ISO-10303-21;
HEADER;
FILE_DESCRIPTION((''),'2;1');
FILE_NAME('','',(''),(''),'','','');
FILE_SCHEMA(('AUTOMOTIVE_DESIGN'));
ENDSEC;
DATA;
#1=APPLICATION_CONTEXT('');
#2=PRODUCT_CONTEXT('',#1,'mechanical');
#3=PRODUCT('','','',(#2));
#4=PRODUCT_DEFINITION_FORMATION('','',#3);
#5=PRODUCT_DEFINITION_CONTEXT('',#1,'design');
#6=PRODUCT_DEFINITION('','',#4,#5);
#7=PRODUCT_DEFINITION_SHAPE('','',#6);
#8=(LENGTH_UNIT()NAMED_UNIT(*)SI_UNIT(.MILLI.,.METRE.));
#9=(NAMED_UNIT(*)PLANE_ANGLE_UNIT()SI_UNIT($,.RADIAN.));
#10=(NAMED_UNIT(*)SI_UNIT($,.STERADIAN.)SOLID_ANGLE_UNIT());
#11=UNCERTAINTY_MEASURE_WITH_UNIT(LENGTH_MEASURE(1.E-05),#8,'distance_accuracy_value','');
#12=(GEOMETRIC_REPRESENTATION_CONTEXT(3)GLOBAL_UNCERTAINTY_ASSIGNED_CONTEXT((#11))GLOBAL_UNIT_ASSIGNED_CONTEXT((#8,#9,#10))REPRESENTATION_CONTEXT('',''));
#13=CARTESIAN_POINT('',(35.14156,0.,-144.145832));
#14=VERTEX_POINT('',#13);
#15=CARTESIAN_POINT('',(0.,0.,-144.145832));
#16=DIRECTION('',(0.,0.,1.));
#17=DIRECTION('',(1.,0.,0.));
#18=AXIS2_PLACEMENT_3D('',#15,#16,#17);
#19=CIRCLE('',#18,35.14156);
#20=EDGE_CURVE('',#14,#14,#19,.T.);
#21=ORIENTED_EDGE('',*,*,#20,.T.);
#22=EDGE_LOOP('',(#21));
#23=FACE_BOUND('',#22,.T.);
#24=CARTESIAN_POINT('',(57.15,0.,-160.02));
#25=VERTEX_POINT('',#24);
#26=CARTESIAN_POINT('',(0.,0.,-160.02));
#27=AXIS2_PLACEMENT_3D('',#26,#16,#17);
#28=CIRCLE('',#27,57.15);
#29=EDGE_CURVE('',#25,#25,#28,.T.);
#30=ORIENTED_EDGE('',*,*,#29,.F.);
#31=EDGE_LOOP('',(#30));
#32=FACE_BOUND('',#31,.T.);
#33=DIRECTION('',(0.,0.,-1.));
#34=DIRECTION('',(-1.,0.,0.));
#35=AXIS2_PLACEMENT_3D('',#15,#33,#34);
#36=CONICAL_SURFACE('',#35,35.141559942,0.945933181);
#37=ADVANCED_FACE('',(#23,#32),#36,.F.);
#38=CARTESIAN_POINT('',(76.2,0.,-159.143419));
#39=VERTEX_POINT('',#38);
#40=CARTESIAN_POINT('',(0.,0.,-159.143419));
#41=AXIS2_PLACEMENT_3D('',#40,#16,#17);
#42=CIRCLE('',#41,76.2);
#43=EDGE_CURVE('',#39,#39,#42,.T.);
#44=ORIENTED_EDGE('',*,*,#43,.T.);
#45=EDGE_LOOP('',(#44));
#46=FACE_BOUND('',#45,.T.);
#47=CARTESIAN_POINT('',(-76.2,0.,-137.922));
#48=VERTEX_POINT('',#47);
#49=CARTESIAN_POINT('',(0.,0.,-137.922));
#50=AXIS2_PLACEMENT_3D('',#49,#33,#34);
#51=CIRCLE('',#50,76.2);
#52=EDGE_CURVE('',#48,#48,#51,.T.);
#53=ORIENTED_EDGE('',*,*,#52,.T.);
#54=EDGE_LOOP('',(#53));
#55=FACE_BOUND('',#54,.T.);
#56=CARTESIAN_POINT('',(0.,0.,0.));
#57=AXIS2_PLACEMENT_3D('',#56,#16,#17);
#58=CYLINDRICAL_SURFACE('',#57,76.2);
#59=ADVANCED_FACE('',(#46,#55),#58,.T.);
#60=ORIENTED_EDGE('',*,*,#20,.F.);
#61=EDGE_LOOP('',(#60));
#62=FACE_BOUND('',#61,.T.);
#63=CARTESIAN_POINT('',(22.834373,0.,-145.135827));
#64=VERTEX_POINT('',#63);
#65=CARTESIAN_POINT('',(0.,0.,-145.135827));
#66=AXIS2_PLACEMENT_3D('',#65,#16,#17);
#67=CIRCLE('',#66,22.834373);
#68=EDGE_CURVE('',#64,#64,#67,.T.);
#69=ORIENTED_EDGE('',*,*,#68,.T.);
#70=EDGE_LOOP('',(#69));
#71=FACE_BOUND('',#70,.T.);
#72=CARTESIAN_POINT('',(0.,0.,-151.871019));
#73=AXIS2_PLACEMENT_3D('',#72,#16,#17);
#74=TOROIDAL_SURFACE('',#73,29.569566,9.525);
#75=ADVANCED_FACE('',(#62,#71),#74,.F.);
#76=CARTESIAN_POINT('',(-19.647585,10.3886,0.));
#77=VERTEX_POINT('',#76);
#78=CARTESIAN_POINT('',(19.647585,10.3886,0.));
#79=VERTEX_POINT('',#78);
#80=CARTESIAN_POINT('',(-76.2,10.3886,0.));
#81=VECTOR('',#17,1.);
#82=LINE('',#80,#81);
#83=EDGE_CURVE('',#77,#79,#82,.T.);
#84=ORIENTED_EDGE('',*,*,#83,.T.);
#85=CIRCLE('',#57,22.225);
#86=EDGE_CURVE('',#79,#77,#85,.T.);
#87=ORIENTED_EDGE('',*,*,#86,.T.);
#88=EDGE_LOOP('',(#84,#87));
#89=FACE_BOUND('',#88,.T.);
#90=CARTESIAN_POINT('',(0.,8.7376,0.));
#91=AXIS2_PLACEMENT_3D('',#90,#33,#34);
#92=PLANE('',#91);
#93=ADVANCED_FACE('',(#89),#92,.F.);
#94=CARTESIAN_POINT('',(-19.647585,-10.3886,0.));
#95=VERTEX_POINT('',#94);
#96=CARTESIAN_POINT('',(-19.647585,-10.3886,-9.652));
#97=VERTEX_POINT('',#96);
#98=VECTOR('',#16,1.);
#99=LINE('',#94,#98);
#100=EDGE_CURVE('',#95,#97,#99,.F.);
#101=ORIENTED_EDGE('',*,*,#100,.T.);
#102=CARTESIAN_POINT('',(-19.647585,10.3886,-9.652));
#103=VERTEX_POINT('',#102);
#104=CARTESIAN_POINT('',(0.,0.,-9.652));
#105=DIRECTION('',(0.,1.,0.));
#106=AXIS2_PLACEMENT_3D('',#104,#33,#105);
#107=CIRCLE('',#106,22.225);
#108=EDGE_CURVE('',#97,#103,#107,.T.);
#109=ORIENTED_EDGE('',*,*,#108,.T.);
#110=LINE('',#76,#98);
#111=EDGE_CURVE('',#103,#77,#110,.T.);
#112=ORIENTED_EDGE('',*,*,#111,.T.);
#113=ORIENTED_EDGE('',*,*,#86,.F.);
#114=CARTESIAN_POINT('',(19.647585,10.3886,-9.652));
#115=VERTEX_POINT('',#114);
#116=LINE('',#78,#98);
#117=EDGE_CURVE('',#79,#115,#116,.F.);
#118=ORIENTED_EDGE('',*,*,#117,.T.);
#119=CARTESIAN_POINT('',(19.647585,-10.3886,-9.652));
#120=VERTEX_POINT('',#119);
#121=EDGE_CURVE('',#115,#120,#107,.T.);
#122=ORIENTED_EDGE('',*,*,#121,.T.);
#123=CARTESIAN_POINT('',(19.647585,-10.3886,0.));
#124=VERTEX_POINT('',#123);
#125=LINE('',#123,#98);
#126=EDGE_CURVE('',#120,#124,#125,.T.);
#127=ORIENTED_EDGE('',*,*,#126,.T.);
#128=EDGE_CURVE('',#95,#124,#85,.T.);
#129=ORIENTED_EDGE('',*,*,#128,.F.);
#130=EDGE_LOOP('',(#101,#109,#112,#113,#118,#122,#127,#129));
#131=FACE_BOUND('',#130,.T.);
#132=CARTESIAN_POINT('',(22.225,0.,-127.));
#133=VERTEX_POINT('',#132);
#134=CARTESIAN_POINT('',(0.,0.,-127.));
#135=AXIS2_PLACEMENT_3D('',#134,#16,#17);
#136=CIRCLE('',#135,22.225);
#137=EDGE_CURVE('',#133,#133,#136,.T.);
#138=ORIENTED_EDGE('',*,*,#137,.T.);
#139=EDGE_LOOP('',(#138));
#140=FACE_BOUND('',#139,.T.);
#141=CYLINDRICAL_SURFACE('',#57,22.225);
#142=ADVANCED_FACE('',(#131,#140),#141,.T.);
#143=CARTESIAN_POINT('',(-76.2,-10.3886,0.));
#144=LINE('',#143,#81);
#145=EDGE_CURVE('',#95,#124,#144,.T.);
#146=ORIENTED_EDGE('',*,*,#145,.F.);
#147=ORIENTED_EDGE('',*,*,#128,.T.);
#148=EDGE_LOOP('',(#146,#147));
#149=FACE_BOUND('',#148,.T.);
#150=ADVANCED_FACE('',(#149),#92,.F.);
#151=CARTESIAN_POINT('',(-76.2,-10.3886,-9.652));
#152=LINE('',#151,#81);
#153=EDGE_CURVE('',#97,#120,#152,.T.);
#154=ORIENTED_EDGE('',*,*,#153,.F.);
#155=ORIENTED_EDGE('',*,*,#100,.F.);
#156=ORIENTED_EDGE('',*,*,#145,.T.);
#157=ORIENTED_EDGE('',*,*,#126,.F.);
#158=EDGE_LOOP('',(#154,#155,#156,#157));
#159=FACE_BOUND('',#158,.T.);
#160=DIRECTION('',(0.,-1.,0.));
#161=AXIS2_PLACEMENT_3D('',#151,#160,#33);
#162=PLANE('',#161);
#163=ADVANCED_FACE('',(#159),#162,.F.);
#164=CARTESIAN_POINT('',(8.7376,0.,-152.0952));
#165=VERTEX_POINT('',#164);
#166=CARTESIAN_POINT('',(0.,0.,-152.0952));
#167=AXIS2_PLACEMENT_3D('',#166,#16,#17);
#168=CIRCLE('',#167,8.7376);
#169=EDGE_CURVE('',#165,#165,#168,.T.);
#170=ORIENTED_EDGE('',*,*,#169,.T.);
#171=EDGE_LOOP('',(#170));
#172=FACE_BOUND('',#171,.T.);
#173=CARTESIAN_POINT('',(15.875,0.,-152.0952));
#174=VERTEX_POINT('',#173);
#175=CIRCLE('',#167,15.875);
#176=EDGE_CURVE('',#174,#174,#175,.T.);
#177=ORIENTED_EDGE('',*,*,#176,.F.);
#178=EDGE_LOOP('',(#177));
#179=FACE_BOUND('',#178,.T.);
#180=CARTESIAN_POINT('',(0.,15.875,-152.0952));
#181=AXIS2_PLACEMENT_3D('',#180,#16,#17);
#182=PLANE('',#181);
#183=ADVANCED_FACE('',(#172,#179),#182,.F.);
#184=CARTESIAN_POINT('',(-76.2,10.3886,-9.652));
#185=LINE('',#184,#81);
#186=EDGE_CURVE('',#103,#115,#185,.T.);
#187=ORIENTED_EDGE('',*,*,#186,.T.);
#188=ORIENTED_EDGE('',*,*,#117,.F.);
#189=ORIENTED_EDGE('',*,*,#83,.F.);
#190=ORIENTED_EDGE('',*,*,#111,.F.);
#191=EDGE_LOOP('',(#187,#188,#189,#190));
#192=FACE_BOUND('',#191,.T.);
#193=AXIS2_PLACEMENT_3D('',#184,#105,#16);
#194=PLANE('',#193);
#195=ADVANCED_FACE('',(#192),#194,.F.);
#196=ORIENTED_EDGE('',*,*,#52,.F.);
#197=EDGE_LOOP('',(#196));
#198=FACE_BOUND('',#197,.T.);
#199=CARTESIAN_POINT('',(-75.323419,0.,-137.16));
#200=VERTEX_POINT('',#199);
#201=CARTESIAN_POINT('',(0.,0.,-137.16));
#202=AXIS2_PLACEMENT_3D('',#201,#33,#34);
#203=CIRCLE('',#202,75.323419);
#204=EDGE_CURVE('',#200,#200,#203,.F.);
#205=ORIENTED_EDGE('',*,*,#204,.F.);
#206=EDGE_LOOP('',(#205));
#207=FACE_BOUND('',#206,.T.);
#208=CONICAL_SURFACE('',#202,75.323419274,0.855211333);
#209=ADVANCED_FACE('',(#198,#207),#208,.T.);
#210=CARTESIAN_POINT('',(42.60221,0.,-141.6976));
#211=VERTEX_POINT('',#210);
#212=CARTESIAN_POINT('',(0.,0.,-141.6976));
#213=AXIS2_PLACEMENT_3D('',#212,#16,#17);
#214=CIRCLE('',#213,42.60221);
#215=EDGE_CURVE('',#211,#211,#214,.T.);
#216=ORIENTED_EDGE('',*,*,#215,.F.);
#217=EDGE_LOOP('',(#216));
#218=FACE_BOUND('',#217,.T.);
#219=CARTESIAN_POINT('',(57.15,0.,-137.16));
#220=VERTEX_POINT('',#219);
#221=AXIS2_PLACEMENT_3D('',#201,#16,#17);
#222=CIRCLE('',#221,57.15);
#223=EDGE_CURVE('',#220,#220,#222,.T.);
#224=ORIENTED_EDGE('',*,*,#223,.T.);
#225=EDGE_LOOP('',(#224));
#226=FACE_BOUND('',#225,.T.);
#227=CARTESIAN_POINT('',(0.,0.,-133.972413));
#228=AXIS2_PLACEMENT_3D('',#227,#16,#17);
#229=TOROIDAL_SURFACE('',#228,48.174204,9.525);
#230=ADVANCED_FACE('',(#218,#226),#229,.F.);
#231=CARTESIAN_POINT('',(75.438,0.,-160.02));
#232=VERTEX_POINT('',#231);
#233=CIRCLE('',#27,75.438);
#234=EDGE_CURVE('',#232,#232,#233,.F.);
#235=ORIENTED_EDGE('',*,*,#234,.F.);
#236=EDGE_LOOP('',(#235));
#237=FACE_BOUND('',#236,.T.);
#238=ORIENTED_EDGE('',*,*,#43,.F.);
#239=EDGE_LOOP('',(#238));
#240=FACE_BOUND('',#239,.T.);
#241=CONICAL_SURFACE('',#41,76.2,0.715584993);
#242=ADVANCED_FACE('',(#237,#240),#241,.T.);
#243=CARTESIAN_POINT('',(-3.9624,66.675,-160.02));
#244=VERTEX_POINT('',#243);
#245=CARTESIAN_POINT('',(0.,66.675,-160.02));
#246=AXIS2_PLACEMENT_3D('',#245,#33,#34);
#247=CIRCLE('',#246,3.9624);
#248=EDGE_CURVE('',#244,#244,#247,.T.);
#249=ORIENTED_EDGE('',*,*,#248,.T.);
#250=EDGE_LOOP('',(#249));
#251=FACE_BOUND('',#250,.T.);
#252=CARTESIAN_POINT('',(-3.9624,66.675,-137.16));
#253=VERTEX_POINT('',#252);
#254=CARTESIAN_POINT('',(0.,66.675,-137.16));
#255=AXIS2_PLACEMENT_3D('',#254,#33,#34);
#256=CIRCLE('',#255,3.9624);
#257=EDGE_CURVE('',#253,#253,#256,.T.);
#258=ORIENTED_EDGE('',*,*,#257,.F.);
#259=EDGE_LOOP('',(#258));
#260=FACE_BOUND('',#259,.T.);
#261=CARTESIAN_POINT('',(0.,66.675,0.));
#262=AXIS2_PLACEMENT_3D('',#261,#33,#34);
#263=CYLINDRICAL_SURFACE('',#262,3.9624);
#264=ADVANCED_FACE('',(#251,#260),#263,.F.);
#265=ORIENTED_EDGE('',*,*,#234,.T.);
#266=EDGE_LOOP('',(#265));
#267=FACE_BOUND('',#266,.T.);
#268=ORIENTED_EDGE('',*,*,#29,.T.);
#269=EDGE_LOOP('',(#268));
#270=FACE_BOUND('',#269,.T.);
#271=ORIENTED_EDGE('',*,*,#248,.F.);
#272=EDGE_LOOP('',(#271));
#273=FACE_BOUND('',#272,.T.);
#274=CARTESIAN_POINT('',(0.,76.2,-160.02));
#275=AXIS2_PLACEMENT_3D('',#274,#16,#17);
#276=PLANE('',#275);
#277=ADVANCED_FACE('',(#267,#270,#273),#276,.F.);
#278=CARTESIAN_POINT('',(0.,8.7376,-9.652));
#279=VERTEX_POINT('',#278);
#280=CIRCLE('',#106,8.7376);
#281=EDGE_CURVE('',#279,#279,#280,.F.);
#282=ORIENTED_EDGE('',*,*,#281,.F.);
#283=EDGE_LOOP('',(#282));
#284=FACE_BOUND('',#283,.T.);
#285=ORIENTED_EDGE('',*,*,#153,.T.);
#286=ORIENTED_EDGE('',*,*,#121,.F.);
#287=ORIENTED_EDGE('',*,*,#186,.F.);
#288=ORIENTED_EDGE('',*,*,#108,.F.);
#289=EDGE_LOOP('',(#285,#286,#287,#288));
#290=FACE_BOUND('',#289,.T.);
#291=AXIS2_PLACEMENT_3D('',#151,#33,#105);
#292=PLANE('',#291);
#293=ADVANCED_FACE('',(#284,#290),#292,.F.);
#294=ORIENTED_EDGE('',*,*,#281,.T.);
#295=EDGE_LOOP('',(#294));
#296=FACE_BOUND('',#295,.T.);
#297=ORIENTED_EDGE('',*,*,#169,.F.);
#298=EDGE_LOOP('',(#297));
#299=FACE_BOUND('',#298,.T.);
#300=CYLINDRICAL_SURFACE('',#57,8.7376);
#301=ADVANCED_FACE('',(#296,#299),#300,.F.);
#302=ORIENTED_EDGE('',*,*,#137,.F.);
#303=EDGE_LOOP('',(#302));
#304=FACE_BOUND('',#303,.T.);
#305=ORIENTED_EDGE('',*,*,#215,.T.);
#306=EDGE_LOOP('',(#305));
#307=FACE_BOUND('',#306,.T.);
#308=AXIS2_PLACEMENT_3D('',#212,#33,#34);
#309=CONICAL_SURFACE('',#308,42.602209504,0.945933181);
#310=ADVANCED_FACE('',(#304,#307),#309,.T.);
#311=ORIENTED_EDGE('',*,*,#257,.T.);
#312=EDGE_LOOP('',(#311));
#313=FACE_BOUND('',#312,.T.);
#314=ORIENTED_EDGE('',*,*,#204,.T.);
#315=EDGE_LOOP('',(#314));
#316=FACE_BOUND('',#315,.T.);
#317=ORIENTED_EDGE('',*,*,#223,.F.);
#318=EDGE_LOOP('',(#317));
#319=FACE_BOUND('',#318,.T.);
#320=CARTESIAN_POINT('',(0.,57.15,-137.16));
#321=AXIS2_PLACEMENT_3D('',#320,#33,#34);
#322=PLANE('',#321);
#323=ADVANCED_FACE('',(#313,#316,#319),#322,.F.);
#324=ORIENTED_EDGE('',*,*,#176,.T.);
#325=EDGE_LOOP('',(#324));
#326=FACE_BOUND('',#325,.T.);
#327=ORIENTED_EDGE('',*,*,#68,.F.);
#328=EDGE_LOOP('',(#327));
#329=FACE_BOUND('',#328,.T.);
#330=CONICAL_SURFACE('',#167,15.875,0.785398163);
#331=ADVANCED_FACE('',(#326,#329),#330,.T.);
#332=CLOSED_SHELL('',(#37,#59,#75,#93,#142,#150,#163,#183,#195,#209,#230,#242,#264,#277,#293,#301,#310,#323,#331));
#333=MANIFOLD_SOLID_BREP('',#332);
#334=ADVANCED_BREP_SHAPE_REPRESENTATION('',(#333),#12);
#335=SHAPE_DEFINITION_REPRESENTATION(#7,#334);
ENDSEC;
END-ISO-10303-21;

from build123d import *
from OCP.BRepFilletAPI import BRepFilletAPI_MakeChamfer

# Parameters (mm, degrees)
CHAMFER1_SIZE           = 0.762
CHAMFER1_SIZE2          = 0.876580726
CUT_EXTRUDE1_DEPTH      = 193.922990854
CUT_EXTRUDE1_DEPTH_BACK = 193.922990854
SKETCH2_W               = 9.652
SKETCH2_H               = 20.7772
SKETCH3_R               = 3.9624
CUT_EXTRUDE2_DEPTH      = 193.922990854


with BuildPart() as part:
    # Sketch1 → Revolve1 (revolve)
    with BuildSketch(Plane(origin=(0, 0, 0), x_dir=(0, 0, -1), z_dir=(1, 0, 0)), mode=Mode.PRIVATE) as revolve1_sk:
        with BuildLine():
            Line((0, 8.7376), (0, 22.225))
            Line((0, 22.225), (127, 22.225))
            Line((127, 22.225), (141.697599691, 42.602209504))
            ThreePointArc((141.697599691, 42.602209504), (143.065361481, 51.010384281), (137.16, 57.15))
            Line((137.16, 57.15), (137.16, 76.2))
            Line((137.16, 76.2), (160.02, 76.2))
            Line((160.02, 76.2), (160.02, 57.15))
            Line((160.02, 57.15), (144.145832257, 35.141559942))
            ThreePointArc((144.145832257, 35.141559942), (142.376686305, 28.805838284), (145.135826502, 22.834373498))
            Line((145.135826502, 22.834373498), (152.0952, 15.875))
            Line((152.0952, 15.875), (152.0952, 8.7376))
            Line((152.0952, 8.7376), (0, 8.7376))
        make_face()
    revolve(revolve1_sk.sketch.rotate(Axis((0, 0, 0), (0, 0, -1)), 90), axis=Axis((0, 0, 0), (0, 0, -1)))

    # Chamfer1: one chamfer whose edges measure the first distance from different faces: ONE call of the kernel's chamfer builder (chamfer() names one face for all edges)
    chamfer1_edges_1 = [part.edges().sort_by_distance(p)[0] for p in [
        (-76.2, 0, -160.02),
    ]]
    chamfer1_side_1 = [part.faces().sort_by_distance(p)[0] for p in [
        (-74.044738531, 0, -160.02),
    ]]
    chamfer1_edges_2 = [part.edges().sort_by_distance(p)[0] for p in [
        (-76.2, 0, -137.16),
    ]]
    chamfer1_side_2 = [part.faces().sort_by_distance(p)[0] for p in [
        (-76.2, 0, -148.59),
    ]]
    chamfer1 = BRepFilletAPI_MakeChamfer(part.part.solid().wrapped)
    for e in chamfer1_edges_1:
        chamfer1.Add(CHAMFER1_SIZE, CHAMFER1_SIZE2, e.wrapped, chamfer1_side_1[0].wrapped)  # the first distance lies on this face
    for e in chamfer1_edges_2:
        chamfer1.Add(CHAMFER1_SIZE, CHAMFER1_SIZE2, e.wrapped, chamfer1_side_2[0].wrapped)  # the first distance lies on this face
    add(Compound.cast(chamfer1.Shape()), mode=Mode.REPLACE)

    # Sketch2 → Cut-Extrude1 (cut, two sides: drawn at the far end of the back side and taken through both)
    with BuildSketch(Plane(origin=(0, 0, 0), x_dir=(0, 0, -1), z_dir=(1, 0, 0)).offset(-CUT_EXTRUDE1_DEPTH_BACK)):
        with Locations((4.826, 0)):
            Rectangle(SKETCH2_W, SKETCH2_H)
    extrude(amount=CUT_EXTRUDE1_DEPTH + CUT_EXTRUDE1_DEPTH_BACK, mode=Mode.SUBTRACT)

    # Sketch3 → Cut-Extrude2 (cut, through all)
    with BuildSketch(Plane(origin=(0, 0, -160.02), x_dir=(-1, 0, 0), z_dir=(0, 0, -1))):
        with Locations((0, 66.675)):
            Circle(SKETCH3_R)
    extrude(amount=-CUT_EXTRUDE2_DEPTH, mode=Mode.SUBTRACT)


solid = part.part
